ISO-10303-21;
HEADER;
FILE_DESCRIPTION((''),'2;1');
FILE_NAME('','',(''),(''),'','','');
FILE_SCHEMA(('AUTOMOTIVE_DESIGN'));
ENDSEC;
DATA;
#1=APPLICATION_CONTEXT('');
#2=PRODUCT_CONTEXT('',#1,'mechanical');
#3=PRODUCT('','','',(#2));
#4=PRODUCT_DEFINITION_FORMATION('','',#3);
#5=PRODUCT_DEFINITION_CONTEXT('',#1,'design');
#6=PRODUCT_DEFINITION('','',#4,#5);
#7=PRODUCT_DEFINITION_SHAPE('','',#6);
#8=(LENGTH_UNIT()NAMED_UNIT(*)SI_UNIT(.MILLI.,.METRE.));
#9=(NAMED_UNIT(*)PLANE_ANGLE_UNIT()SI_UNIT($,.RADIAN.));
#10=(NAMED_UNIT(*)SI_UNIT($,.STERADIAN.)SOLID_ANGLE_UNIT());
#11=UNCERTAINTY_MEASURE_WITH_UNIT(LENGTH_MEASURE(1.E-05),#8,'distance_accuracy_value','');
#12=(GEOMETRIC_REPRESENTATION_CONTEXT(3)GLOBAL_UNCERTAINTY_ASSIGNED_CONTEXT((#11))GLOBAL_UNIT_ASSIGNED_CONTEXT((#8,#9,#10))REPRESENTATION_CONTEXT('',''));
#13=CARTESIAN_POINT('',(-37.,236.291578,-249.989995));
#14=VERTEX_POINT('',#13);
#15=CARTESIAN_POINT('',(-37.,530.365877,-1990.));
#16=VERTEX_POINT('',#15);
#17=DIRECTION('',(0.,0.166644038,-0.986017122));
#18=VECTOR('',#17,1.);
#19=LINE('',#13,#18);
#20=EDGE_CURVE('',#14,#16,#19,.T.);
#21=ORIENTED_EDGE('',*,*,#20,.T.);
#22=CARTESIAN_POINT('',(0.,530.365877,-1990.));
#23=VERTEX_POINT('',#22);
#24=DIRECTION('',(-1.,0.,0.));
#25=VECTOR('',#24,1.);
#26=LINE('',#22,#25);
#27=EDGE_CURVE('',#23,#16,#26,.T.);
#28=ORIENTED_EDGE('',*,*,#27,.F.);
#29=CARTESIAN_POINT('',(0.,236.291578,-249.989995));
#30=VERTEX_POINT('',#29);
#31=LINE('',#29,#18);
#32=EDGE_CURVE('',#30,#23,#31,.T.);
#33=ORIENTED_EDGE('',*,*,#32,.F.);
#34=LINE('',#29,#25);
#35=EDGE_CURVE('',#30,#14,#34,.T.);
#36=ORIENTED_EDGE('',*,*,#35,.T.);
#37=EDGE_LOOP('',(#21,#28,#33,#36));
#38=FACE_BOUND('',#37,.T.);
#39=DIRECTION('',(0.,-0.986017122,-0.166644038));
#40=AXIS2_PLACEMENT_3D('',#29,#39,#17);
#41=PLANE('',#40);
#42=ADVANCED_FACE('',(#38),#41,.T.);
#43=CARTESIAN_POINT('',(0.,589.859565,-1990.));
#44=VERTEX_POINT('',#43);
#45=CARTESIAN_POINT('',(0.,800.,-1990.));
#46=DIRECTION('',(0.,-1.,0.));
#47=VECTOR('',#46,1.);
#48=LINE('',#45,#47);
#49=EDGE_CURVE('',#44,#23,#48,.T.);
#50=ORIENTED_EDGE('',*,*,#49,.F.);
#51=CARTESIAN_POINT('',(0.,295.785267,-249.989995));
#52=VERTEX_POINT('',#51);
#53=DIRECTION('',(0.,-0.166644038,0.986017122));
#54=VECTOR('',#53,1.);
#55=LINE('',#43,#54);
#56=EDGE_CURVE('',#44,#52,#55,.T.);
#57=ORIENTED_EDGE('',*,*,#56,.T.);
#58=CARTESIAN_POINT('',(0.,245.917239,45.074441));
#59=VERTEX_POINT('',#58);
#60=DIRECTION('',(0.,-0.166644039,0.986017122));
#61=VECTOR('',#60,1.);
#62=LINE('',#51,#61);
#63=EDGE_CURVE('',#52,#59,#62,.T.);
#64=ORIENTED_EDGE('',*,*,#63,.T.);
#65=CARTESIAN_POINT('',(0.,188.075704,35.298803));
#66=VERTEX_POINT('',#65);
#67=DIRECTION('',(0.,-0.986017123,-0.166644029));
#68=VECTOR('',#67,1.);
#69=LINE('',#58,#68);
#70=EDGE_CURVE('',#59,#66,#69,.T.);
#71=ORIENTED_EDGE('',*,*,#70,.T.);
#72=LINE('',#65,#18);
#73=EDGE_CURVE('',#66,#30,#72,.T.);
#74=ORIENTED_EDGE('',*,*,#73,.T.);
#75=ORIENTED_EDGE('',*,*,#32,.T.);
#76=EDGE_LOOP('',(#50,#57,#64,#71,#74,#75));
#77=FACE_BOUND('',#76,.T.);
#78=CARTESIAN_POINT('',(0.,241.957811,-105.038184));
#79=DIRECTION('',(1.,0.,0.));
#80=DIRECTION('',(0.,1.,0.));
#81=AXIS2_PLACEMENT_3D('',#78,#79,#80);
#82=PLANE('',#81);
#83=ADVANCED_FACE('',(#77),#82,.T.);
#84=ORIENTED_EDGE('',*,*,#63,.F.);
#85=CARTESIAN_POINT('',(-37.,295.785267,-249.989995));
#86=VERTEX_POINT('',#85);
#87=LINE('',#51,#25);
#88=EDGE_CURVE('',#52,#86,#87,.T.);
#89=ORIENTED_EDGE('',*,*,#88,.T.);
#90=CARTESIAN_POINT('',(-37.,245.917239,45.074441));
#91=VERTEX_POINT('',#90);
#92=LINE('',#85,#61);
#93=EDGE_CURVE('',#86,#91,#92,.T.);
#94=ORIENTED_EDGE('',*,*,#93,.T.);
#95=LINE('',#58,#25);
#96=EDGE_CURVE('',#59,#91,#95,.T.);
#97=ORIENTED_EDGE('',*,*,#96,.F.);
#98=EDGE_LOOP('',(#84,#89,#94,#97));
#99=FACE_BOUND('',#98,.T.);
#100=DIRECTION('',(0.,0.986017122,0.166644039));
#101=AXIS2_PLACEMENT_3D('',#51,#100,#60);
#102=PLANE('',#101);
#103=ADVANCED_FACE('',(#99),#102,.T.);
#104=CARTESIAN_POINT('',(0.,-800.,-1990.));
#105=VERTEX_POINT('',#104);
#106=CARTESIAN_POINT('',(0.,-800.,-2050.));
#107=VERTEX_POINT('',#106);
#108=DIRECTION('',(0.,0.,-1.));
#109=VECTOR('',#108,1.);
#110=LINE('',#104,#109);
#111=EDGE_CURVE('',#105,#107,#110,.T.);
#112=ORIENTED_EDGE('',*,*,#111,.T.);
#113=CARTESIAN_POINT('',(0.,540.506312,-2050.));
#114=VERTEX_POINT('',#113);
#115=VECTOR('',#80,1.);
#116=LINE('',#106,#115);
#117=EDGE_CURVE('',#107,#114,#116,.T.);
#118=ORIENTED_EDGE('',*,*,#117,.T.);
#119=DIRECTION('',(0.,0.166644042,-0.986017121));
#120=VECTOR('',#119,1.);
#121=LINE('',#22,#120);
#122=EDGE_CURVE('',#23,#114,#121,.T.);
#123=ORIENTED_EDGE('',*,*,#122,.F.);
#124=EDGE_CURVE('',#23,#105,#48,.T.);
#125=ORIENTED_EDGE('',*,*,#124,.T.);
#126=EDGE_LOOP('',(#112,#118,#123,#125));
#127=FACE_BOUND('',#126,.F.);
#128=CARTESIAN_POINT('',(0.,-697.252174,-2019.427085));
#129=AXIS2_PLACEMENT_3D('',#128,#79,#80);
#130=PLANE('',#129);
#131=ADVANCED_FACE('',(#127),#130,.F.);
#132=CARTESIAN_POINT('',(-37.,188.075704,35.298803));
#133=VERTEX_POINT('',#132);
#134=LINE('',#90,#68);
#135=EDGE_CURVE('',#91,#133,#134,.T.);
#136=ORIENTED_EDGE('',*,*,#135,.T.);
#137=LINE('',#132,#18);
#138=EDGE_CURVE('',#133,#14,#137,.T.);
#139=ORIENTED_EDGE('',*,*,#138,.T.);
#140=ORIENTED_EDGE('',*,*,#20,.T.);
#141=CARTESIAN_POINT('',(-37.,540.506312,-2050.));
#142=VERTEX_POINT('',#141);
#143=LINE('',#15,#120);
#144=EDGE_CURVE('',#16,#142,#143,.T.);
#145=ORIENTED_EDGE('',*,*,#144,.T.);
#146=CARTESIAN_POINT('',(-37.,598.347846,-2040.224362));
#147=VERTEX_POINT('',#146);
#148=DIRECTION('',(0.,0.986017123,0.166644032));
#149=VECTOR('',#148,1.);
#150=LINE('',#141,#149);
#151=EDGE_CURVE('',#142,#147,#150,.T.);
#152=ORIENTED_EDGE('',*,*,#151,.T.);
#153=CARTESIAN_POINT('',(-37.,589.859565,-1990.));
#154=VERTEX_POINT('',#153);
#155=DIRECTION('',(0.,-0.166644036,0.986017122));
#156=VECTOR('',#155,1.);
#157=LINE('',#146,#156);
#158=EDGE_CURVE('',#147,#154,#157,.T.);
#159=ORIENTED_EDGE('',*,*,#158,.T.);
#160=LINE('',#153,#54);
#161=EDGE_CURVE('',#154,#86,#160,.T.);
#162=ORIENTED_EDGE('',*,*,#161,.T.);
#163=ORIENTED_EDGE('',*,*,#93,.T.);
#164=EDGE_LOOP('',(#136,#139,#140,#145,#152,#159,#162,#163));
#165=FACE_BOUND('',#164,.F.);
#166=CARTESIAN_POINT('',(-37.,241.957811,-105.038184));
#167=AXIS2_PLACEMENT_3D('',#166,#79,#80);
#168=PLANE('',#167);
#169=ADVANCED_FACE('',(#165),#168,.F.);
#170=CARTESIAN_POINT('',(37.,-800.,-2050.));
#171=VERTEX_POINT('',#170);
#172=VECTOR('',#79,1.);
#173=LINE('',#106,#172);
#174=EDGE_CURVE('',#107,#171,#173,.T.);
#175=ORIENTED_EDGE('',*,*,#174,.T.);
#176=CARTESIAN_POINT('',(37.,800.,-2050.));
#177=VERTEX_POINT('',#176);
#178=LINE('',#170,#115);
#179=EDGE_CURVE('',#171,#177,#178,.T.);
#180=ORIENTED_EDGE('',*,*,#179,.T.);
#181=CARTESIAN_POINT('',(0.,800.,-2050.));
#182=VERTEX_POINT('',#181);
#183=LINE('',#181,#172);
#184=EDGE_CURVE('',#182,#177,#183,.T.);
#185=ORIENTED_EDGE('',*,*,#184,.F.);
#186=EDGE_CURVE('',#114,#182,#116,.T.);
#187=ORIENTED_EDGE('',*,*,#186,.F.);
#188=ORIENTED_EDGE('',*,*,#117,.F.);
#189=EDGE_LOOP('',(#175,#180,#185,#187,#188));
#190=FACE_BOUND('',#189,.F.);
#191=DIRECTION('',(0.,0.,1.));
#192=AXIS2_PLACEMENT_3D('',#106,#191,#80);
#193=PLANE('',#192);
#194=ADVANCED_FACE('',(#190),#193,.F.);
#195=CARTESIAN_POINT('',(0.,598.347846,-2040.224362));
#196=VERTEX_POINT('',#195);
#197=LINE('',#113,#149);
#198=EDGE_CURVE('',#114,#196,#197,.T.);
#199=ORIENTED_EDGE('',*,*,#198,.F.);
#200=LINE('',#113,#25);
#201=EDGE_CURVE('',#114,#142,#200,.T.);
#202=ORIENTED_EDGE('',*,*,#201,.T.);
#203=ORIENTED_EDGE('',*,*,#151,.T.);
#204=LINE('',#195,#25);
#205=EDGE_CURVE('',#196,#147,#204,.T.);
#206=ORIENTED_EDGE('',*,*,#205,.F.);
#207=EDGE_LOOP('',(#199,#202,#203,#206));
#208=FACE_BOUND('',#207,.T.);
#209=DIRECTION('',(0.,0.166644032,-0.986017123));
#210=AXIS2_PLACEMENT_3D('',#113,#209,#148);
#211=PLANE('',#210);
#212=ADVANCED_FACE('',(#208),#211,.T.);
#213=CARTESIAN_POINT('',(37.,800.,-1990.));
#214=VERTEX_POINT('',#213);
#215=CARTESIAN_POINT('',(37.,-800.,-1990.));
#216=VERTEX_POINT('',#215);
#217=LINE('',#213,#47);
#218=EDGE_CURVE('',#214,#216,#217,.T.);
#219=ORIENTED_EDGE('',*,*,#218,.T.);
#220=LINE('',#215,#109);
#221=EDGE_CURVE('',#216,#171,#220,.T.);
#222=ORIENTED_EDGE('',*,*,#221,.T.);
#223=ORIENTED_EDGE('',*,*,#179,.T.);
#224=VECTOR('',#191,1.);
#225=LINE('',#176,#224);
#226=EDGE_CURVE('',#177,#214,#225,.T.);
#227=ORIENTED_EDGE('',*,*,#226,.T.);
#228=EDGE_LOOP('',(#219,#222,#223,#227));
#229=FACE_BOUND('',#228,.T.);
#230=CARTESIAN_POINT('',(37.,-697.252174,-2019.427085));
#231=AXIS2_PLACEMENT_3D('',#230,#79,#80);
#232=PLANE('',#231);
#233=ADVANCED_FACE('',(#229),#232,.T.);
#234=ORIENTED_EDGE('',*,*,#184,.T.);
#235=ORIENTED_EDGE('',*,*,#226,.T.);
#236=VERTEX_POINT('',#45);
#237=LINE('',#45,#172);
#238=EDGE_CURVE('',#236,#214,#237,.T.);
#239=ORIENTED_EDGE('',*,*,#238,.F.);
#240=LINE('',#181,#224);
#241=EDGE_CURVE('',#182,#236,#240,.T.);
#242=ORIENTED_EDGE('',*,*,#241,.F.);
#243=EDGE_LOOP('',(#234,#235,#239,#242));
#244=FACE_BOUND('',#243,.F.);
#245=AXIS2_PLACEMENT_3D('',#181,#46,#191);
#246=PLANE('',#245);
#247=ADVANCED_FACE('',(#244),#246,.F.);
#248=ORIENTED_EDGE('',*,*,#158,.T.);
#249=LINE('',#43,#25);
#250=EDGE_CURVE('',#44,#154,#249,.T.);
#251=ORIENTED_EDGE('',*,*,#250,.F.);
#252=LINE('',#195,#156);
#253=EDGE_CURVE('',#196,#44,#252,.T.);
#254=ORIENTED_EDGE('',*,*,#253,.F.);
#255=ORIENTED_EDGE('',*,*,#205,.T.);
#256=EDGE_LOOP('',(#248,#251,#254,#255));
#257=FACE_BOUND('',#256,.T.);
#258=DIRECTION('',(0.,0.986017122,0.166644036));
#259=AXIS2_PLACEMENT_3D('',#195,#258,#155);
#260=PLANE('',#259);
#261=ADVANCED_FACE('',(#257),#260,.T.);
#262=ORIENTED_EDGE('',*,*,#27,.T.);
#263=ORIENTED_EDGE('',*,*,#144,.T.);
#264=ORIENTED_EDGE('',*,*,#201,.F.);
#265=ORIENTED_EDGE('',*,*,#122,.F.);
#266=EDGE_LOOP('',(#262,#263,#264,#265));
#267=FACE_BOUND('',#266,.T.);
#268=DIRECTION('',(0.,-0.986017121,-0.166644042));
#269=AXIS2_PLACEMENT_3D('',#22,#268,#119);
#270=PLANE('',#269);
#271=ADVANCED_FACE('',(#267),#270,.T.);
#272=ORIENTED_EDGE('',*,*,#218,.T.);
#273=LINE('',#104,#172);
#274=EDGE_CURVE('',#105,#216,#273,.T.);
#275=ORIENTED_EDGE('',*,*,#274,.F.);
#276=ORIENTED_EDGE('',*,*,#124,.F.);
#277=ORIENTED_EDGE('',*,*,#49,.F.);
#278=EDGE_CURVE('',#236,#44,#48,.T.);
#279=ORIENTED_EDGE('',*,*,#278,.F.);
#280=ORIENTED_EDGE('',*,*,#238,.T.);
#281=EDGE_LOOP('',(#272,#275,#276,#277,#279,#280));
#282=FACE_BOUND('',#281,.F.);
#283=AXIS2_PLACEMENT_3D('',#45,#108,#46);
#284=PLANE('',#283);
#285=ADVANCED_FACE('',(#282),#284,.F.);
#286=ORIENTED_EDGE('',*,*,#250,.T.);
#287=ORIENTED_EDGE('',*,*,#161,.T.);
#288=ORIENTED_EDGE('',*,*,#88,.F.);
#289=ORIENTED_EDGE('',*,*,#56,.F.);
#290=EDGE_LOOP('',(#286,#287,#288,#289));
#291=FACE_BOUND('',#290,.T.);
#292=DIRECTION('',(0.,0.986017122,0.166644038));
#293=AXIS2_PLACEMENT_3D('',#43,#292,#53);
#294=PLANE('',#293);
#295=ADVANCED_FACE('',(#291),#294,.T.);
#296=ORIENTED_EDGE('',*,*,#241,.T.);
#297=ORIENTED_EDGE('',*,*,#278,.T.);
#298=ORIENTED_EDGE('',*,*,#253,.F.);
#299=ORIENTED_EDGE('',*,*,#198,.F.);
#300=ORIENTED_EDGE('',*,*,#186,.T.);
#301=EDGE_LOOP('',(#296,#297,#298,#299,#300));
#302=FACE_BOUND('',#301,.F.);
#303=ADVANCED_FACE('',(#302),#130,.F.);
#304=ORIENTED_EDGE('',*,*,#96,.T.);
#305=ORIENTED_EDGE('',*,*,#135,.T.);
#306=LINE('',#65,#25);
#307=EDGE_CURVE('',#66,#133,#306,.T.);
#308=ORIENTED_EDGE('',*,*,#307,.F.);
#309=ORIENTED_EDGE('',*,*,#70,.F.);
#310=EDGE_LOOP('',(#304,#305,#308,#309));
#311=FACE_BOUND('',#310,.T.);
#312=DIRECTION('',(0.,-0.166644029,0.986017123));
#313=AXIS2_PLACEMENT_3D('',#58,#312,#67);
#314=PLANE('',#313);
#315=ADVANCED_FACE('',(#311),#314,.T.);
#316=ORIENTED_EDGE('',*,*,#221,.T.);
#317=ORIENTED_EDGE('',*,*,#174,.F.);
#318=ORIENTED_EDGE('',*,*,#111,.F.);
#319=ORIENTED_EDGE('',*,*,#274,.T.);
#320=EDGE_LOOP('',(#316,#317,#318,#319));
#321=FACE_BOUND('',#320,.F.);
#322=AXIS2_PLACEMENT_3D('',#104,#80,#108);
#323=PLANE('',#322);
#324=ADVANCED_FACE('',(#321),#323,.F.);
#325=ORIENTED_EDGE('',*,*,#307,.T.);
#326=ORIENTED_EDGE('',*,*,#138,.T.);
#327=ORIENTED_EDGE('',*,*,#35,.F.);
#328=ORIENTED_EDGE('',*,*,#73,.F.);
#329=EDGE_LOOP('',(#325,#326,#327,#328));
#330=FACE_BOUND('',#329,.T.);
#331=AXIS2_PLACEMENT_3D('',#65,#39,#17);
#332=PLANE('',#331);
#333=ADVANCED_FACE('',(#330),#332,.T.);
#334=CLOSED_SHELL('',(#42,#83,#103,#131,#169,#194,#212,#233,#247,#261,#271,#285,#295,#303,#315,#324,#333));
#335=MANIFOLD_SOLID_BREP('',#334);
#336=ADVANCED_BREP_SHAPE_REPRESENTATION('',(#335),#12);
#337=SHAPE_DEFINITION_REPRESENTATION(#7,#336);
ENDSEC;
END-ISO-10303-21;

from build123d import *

# Parameters (mm, degrees)
F1_DEPTH = 37
F2_DEPTH = 37


with BuildPart() as f1:
    # F0 (on Right) → F1 (new body)
    with BuildSketch(Plane.YZ):
        Polygon((-600, -2050), (-589.859565, -1990), (-800, -1990), (-800, -2050), align=None)
        Polygon((0, -1990), (-589.859565, -1990), (-600, -2050), (0, -2050), align=None)
        Polygon((530.365877, -1990), (0, -1990), (0, -2050), (540.506312, -2050), align=None)
        Polygon((589.859565, -1990), (530.365877, -1990), (540.506312, -2050), (598.347846, -2040.224362), align=None)
        Polygon((800, -1990), (589.859565, -1990), (598.347846, -2040.224362), (600, -2050), (800, -2050), align=None)
        Polygon((598.347846, -2040.224362), (540.506312, -2050), (600, -2050), align=None)
    extrude(amount=F1_DEPTH)

    # F0 (on Right) → F2 (join)
    with BuildSketch(Plane.YZ):
        Polygon((188.075704, 35.298803), (236.291578, -249.989995), (295.785267, -249.989995), (245.917239, 45.074441), align=None)
        Polygon((295.785267, -249.989995), (236.291578, -249.989995), (530.365877, -1990), (589.859565, -1990), align=None)
        Polygon((589.859565, -1990), (530.365877, -1990), (540.506312, -2050), (598.347846, -2040.224362), align=None)
    extrude(amount=-F2_DEPTH)


solid = f1.part
